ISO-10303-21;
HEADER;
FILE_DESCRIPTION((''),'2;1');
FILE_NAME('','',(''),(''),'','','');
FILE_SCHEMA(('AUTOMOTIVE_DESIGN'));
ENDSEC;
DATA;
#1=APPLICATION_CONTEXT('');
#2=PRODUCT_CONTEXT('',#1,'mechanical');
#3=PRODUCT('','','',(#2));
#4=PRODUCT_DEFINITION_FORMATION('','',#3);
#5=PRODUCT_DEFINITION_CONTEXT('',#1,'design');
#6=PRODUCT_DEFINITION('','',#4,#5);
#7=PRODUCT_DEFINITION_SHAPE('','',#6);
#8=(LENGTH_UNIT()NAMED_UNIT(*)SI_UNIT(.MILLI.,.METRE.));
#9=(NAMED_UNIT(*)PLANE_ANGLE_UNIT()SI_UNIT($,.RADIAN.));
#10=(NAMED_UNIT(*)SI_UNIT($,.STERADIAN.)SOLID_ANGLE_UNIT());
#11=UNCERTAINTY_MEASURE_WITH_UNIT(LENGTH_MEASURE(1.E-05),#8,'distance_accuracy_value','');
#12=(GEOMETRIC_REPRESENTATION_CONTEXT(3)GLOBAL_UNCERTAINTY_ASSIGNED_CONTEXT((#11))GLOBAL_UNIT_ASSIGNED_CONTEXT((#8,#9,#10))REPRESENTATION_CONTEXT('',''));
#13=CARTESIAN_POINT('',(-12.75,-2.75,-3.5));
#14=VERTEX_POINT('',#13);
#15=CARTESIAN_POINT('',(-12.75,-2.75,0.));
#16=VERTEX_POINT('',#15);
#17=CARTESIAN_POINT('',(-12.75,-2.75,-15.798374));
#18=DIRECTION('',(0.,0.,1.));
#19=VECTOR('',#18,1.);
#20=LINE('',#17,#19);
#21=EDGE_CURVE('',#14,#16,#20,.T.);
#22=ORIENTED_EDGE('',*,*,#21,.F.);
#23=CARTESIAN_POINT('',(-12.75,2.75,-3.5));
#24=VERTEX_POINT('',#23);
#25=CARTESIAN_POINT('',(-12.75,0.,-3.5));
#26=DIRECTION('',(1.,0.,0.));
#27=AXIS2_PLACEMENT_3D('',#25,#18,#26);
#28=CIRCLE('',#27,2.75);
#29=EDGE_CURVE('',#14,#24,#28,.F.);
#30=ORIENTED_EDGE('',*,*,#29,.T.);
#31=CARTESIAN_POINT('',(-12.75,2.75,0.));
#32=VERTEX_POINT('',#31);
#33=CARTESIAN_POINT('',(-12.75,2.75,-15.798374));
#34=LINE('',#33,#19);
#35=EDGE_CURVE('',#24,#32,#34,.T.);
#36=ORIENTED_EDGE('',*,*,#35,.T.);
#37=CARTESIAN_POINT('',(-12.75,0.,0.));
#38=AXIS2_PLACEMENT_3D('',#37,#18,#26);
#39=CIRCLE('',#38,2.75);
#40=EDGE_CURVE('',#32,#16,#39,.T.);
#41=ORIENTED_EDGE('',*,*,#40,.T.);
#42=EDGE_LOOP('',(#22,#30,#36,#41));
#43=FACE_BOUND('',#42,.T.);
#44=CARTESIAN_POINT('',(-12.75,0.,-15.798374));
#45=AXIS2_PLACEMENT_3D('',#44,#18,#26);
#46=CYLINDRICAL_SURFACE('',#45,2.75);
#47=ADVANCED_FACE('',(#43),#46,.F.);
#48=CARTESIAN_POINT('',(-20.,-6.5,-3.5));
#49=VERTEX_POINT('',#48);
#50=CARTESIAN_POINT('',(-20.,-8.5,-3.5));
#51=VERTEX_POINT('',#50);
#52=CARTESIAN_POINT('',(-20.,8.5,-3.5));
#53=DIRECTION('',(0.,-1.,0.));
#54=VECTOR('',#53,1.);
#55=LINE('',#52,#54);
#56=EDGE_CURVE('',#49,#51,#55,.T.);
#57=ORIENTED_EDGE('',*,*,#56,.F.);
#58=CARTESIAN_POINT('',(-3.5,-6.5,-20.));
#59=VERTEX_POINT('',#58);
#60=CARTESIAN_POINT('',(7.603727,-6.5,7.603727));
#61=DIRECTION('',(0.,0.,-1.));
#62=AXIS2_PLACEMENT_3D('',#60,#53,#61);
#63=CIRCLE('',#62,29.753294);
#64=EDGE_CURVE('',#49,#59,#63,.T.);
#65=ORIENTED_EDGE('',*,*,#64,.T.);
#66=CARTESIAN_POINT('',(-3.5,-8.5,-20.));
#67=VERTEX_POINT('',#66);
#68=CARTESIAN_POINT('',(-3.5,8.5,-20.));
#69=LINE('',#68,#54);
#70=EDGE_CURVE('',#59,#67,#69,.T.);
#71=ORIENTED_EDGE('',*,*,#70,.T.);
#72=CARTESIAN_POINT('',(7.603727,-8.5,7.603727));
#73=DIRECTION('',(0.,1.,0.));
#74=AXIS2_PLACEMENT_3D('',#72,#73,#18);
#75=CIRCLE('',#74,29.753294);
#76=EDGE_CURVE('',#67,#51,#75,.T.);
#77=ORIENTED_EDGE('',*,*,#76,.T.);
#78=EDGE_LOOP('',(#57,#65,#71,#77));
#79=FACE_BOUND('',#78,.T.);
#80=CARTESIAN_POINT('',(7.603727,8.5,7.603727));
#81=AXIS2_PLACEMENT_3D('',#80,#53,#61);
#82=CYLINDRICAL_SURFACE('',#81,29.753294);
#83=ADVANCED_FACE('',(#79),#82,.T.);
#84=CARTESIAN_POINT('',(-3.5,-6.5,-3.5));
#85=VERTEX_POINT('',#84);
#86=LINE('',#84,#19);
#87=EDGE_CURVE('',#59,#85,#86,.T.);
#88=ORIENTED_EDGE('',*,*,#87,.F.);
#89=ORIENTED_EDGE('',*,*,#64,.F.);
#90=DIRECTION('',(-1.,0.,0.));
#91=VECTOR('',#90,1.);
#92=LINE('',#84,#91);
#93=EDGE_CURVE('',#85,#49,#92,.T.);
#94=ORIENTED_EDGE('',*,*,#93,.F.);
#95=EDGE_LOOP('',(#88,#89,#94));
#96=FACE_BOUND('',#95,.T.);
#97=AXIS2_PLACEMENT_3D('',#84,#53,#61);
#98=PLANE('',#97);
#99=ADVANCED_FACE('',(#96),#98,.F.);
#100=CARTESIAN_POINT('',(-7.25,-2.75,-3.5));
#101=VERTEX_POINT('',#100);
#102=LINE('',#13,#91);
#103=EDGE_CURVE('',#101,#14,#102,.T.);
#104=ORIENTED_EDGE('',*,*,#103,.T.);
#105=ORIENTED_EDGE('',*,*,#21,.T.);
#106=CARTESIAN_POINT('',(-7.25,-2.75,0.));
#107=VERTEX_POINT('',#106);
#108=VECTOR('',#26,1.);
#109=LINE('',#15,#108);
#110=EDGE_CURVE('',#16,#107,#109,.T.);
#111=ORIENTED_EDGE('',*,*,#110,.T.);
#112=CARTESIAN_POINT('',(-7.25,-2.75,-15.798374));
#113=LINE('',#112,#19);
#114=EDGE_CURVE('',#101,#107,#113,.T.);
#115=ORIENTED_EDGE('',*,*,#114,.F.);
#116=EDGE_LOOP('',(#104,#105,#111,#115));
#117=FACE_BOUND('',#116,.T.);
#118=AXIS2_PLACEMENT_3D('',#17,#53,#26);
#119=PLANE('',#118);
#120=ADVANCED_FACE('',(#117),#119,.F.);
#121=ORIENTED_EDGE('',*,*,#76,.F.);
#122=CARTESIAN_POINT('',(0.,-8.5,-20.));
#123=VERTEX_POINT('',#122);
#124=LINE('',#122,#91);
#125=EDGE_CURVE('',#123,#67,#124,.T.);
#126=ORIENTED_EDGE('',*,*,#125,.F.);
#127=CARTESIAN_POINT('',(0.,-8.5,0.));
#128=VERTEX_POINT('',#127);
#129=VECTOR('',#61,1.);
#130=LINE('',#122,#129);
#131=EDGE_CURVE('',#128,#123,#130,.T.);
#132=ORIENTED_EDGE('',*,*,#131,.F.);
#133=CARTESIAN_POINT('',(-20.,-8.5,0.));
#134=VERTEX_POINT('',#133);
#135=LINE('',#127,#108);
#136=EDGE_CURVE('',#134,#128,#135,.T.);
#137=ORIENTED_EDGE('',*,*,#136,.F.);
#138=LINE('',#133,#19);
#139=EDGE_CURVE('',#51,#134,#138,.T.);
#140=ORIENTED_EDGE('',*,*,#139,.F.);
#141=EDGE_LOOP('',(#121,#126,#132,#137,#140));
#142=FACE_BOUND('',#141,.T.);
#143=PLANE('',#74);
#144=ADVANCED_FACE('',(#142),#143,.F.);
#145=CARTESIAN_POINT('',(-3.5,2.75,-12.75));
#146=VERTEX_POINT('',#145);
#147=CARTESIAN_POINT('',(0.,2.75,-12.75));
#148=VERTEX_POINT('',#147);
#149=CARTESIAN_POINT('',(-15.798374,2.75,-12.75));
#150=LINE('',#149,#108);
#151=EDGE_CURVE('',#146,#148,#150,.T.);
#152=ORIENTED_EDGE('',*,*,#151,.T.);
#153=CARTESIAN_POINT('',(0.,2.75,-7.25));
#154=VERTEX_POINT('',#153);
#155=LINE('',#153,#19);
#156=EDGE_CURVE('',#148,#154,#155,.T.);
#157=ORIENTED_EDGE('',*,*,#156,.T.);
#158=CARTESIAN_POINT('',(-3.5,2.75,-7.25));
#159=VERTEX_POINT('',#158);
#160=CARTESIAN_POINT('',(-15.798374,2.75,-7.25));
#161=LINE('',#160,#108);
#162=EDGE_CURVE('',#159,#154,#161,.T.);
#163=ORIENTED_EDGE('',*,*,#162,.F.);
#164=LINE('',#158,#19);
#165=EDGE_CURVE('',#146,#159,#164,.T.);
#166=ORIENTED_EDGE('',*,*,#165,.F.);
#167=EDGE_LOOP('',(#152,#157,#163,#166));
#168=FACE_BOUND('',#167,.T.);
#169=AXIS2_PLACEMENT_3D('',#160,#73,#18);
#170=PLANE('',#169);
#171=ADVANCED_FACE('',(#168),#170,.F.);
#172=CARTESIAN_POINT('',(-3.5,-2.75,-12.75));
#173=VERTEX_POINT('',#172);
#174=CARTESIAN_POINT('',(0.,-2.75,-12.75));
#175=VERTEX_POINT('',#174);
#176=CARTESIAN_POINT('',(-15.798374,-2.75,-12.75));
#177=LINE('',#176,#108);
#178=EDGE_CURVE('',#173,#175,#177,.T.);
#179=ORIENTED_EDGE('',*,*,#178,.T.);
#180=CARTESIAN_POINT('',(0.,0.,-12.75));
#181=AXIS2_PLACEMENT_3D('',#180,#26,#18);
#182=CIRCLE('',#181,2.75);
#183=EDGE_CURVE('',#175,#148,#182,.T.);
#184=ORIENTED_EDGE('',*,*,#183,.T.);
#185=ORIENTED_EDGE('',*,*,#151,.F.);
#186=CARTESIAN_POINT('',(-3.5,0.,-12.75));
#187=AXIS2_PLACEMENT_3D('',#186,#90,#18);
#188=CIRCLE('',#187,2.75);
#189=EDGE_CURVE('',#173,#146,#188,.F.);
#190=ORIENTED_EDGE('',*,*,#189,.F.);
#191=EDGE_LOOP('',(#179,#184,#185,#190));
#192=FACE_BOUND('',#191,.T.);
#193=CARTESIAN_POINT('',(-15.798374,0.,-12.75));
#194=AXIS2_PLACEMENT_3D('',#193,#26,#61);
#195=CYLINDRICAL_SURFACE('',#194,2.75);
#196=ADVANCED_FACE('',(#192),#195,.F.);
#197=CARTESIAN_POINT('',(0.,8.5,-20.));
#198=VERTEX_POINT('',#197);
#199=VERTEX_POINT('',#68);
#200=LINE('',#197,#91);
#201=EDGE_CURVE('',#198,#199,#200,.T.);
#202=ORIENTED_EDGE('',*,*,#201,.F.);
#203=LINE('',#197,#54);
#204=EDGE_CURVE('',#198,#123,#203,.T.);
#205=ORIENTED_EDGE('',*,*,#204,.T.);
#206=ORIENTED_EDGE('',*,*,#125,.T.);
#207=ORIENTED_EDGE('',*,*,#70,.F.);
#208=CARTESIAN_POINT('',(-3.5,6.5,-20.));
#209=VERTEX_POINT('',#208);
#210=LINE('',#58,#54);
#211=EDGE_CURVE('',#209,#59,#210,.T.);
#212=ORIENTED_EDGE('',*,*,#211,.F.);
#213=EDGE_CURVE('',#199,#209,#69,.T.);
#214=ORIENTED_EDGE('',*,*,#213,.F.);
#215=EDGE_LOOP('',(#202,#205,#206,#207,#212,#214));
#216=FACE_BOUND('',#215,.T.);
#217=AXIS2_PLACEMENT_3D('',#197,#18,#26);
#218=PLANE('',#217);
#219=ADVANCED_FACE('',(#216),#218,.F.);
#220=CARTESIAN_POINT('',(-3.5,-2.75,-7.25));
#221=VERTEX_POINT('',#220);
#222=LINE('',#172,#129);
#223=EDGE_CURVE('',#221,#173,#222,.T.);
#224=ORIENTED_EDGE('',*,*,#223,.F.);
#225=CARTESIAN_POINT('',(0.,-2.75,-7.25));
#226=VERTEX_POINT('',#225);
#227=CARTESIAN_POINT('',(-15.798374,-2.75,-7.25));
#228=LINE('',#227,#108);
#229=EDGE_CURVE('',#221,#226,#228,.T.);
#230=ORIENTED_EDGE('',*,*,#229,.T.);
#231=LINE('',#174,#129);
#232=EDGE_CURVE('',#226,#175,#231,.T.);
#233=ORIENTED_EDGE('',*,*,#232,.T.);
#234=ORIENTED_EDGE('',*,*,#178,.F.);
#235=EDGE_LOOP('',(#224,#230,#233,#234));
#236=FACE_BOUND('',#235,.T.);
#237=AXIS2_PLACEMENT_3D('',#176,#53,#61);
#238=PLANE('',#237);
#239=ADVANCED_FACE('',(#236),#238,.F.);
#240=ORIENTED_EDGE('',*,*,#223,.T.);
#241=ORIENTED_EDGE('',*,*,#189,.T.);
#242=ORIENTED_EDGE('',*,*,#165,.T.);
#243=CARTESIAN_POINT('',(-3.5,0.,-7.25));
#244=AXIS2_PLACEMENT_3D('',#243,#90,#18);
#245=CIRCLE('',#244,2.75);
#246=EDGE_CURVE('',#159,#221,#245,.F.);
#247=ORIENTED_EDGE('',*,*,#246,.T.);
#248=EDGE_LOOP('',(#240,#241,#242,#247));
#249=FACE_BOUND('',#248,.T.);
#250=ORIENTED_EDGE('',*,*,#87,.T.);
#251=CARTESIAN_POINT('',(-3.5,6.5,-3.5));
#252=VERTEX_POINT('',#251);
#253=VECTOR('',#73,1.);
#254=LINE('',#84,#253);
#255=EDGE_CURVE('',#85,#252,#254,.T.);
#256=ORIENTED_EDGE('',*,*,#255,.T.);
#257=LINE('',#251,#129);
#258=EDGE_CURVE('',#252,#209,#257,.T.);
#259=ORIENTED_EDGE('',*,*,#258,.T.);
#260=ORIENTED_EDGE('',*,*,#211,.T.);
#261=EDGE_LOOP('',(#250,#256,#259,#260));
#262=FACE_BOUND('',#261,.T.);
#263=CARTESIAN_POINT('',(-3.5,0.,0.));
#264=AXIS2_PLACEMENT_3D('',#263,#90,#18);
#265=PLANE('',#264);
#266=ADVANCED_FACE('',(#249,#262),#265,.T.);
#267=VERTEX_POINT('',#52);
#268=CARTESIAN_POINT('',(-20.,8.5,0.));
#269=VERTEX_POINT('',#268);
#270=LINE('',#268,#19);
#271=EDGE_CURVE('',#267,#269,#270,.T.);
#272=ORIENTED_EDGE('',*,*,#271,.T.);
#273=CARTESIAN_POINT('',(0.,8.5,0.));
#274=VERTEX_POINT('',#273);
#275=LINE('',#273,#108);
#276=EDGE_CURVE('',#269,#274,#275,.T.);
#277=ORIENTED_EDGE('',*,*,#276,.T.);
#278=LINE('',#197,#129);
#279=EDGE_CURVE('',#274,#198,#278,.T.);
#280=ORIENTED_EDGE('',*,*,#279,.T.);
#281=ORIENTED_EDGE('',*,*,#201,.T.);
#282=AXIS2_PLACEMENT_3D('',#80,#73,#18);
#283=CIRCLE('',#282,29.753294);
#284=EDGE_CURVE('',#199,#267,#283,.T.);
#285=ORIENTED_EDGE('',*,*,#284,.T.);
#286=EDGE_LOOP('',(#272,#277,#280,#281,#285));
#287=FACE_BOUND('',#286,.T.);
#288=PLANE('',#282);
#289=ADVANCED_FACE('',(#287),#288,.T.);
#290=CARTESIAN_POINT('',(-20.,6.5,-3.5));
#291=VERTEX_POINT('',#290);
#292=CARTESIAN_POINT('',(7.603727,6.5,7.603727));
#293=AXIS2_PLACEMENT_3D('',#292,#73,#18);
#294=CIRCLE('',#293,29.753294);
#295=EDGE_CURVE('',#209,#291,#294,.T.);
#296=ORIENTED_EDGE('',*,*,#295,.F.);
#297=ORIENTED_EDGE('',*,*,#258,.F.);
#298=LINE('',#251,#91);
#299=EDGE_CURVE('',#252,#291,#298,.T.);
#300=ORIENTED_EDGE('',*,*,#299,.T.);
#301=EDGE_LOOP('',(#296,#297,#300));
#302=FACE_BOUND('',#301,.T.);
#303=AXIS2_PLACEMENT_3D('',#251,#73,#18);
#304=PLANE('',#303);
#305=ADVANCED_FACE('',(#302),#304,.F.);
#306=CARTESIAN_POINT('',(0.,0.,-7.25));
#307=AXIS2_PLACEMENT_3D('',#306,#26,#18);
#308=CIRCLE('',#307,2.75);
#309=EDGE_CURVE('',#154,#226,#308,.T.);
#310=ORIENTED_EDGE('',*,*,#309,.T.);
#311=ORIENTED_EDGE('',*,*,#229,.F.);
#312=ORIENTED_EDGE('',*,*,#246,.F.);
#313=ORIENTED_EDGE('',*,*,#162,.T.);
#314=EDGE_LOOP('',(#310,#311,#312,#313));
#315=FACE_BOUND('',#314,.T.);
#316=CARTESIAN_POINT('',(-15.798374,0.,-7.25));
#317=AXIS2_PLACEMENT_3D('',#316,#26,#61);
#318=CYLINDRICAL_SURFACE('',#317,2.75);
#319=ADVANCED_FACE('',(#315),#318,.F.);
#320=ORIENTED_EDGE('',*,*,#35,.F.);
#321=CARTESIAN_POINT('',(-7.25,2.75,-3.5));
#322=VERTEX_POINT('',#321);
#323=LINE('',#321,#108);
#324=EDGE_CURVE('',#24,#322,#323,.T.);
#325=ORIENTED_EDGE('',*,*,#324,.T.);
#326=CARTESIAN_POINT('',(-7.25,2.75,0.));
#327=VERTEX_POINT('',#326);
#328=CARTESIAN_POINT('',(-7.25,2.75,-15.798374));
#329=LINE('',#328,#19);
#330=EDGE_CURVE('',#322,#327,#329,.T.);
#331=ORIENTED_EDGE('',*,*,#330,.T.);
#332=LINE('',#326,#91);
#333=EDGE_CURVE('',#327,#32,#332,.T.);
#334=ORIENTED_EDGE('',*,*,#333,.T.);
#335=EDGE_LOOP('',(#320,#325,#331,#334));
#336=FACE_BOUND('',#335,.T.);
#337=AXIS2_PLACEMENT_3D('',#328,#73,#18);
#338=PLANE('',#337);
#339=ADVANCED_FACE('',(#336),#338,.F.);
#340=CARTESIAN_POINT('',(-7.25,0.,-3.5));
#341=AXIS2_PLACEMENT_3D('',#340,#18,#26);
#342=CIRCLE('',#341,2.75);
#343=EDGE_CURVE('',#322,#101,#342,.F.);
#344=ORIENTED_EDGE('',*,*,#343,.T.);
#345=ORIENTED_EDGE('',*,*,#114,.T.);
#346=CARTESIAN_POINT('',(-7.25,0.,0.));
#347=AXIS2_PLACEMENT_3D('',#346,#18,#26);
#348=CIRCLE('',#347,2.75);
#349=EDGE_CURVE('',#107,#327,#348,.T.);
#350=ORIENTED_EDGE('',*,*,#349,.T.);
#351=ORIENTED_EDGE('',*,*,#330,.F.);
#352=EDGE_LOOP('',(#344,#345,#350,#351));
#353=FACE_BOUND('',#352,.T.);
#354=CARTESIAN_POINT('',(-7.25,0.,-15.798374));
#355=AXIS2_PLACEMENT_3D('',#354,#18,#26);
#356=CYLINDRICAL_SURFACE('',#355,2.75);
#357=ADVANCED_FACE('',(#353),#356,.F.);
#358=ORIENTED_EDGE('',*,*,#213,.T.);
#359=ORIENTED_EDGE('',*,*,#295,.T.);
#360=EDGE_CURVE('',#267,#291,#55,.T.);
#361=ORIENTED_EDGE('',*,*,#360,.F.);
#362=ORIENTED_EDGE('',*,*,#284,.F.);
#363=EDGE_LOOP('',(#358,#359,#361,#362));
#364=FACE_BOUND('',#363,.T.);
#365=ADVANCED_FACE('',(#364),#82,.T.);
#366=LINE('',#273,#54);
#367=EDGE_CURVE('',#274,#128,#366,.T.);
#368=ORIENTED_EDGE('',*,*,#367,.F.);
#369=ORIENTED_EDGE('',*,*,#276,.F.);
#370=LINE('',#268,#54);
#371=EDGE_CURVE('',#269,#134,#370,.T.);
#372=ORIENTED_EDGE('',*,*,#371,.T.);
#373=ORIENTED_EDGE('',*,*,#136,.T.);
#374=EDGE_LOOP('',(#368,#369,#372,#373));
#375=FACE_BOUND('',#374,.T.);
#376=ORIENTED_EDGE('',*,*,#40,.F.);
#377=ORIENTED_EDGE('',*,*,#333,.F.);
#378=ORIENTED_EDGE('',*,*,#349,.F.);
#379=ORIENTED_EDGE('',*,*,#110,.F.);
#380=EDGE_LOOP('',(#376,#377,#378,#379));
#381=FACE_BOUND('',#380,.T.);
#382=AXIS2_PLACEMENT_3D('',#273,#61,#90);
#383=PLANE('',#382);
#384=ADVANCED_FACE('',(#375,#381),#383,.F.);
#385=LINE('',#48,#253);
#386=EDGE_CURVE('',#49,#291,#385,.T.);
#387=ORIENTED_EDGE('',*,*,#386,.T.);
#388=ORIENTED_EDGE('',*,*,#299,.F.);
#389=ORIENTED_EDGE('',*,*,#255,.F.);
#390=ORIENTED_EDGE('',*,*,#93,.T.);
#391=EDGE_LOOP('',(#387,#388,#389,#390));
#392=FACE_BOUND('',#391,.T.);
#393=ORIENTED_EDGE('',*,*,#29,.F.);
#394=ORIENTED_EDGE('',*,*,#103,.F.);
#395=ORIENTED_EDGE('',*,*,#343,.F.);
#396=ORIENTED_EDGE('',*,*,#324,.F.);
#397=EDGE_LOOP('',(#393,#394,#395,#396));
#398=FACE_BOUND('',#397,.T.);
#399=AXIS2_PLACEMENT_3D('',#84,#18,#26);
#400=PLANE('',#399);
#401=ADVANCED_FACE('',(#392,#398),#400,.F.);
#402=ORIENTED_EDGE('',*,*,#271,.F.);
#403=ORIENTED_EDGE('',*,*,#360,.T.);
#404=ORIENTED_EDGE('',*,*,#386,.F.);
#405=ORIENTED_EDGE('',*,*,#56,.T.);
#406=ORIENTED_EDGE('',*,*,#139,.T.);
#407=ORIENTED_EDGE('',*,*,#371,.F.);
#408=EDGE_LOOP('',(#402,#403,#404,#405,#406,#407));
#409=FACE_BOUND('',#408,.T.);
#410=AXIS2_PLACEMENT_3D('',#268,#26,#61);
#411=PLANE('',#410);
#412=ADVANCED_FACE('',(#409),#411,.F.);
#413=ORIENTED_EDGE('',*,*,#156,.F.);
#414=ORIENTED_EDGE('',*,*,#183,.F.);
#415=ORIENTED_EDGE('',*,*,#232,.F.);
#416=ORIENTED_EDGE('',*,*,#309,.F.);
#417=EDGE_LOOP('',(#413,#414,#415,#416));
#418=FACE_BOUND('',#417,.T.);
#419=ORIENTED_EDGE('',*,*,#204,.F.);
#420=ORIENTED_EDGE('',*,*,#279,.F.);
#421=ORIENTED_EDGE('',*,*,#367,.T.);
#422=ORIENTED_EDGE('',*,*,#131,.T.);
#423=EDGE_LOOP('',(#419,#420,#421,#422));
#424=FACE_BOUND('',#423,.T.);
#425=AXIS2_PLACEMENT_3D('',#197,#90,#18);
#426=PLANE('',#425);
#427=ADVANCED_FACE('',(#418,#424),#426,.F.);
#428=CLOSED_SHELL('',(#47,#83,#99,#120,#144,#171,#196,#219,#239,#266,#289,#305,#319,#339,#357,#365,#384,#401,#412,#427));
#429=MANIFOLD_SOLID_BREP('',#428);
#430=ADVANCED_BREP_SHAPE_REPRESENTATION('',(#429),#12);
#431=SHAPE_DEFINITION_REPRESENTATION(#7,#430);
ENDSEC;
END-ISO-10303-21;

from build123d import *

# Parameters (mm, degrees)
BOSS_EXTRUDE1_DEPTH = 8.5
SKETCH2_W           = 16.5
SKETCH2_H           = 13
CUT_EXTRUDE1_DEPTH  = 16.5
CUT_EXTRUDE2_DEPTH  = 3.5
CUT_EXTRUDE3_DEPTH  = 3.5


with BuildPart() as part:
    # Sketch1 → Boss-Extrude1 (new body, symmetric)
    with BuildSketch(Plane(origin=(0, 0, 0), x_dir=(1, 0, 0), z_dir=(0, 1, 0))):
        with BuildLine():
            Line((0, 20), (0, 0))
            Line((0, 0), (-20, 0))
            Line((-20, 0), (-20, 3.5))
            ThreePointArc((-20, 3.5), (-13.435028843, 13.435028843), (-3.5, 20))
            Line((-3.5, 20), (0, 20))
        make_face()
    extrude(amount=BOSS_EXTRUDE1_DEPTH, both=True)

    # Sketch2 → Cut-Extrude1 (cut)
    with BuildSketch(Plane.ZY.offset(20)):
        with Locations((-11.75, 0)):
            Rectangle(SKETCH2_W, SKETCH2_H)
    extrude(amount=-CUT_EXTRUDE1_DEPTH, mode=Mode.SUBTRACT)

    # Sketch4 → Cut-Extrude2 (cut)
    with BuildSketch(Plane.XY):
        with BuildLine():
            Line((-7.25, 2.75), (-12.75, 2.75))
            ThreePointArc((-12.75, 2.75), (-15.5, 0), (-12.75, -2.75))
            Line((-12.75, -2.75), (-7.25, -2.75))
            ThreePointArc((-7.25, -2.75), (-4.5, 0), (-7.25, 2.75))
        make_face()
    extrude(amount=-CUT_EXTRUDE2_DEPTH, mode=Mode.SUBTRACT)

    # Sketch5 → Cut-Extrude3 (cut)
    with BuildSketch(Plane(origin=(0, 0, 0), x_dir=(0, 0, -1), z_dir=(1, 0, 0))):
        with BuildLine():
            Line((7.25, 2.75), (12.75, 2.75))
            ThreePointArc((12.75, 2.75), (15.5, 0), (12.75, -2.75))
            Line((12.75, -2.75), (7.25, -2.75))
            ThreePointArc((7.25, -2.75), (4.5, 0), (7.25, 2.75))
        make_face()
    extrude(amount=-CUT_EXTRUDE3_DEPTH, mode=Mode.SUBTRACT)


solid = part.part
